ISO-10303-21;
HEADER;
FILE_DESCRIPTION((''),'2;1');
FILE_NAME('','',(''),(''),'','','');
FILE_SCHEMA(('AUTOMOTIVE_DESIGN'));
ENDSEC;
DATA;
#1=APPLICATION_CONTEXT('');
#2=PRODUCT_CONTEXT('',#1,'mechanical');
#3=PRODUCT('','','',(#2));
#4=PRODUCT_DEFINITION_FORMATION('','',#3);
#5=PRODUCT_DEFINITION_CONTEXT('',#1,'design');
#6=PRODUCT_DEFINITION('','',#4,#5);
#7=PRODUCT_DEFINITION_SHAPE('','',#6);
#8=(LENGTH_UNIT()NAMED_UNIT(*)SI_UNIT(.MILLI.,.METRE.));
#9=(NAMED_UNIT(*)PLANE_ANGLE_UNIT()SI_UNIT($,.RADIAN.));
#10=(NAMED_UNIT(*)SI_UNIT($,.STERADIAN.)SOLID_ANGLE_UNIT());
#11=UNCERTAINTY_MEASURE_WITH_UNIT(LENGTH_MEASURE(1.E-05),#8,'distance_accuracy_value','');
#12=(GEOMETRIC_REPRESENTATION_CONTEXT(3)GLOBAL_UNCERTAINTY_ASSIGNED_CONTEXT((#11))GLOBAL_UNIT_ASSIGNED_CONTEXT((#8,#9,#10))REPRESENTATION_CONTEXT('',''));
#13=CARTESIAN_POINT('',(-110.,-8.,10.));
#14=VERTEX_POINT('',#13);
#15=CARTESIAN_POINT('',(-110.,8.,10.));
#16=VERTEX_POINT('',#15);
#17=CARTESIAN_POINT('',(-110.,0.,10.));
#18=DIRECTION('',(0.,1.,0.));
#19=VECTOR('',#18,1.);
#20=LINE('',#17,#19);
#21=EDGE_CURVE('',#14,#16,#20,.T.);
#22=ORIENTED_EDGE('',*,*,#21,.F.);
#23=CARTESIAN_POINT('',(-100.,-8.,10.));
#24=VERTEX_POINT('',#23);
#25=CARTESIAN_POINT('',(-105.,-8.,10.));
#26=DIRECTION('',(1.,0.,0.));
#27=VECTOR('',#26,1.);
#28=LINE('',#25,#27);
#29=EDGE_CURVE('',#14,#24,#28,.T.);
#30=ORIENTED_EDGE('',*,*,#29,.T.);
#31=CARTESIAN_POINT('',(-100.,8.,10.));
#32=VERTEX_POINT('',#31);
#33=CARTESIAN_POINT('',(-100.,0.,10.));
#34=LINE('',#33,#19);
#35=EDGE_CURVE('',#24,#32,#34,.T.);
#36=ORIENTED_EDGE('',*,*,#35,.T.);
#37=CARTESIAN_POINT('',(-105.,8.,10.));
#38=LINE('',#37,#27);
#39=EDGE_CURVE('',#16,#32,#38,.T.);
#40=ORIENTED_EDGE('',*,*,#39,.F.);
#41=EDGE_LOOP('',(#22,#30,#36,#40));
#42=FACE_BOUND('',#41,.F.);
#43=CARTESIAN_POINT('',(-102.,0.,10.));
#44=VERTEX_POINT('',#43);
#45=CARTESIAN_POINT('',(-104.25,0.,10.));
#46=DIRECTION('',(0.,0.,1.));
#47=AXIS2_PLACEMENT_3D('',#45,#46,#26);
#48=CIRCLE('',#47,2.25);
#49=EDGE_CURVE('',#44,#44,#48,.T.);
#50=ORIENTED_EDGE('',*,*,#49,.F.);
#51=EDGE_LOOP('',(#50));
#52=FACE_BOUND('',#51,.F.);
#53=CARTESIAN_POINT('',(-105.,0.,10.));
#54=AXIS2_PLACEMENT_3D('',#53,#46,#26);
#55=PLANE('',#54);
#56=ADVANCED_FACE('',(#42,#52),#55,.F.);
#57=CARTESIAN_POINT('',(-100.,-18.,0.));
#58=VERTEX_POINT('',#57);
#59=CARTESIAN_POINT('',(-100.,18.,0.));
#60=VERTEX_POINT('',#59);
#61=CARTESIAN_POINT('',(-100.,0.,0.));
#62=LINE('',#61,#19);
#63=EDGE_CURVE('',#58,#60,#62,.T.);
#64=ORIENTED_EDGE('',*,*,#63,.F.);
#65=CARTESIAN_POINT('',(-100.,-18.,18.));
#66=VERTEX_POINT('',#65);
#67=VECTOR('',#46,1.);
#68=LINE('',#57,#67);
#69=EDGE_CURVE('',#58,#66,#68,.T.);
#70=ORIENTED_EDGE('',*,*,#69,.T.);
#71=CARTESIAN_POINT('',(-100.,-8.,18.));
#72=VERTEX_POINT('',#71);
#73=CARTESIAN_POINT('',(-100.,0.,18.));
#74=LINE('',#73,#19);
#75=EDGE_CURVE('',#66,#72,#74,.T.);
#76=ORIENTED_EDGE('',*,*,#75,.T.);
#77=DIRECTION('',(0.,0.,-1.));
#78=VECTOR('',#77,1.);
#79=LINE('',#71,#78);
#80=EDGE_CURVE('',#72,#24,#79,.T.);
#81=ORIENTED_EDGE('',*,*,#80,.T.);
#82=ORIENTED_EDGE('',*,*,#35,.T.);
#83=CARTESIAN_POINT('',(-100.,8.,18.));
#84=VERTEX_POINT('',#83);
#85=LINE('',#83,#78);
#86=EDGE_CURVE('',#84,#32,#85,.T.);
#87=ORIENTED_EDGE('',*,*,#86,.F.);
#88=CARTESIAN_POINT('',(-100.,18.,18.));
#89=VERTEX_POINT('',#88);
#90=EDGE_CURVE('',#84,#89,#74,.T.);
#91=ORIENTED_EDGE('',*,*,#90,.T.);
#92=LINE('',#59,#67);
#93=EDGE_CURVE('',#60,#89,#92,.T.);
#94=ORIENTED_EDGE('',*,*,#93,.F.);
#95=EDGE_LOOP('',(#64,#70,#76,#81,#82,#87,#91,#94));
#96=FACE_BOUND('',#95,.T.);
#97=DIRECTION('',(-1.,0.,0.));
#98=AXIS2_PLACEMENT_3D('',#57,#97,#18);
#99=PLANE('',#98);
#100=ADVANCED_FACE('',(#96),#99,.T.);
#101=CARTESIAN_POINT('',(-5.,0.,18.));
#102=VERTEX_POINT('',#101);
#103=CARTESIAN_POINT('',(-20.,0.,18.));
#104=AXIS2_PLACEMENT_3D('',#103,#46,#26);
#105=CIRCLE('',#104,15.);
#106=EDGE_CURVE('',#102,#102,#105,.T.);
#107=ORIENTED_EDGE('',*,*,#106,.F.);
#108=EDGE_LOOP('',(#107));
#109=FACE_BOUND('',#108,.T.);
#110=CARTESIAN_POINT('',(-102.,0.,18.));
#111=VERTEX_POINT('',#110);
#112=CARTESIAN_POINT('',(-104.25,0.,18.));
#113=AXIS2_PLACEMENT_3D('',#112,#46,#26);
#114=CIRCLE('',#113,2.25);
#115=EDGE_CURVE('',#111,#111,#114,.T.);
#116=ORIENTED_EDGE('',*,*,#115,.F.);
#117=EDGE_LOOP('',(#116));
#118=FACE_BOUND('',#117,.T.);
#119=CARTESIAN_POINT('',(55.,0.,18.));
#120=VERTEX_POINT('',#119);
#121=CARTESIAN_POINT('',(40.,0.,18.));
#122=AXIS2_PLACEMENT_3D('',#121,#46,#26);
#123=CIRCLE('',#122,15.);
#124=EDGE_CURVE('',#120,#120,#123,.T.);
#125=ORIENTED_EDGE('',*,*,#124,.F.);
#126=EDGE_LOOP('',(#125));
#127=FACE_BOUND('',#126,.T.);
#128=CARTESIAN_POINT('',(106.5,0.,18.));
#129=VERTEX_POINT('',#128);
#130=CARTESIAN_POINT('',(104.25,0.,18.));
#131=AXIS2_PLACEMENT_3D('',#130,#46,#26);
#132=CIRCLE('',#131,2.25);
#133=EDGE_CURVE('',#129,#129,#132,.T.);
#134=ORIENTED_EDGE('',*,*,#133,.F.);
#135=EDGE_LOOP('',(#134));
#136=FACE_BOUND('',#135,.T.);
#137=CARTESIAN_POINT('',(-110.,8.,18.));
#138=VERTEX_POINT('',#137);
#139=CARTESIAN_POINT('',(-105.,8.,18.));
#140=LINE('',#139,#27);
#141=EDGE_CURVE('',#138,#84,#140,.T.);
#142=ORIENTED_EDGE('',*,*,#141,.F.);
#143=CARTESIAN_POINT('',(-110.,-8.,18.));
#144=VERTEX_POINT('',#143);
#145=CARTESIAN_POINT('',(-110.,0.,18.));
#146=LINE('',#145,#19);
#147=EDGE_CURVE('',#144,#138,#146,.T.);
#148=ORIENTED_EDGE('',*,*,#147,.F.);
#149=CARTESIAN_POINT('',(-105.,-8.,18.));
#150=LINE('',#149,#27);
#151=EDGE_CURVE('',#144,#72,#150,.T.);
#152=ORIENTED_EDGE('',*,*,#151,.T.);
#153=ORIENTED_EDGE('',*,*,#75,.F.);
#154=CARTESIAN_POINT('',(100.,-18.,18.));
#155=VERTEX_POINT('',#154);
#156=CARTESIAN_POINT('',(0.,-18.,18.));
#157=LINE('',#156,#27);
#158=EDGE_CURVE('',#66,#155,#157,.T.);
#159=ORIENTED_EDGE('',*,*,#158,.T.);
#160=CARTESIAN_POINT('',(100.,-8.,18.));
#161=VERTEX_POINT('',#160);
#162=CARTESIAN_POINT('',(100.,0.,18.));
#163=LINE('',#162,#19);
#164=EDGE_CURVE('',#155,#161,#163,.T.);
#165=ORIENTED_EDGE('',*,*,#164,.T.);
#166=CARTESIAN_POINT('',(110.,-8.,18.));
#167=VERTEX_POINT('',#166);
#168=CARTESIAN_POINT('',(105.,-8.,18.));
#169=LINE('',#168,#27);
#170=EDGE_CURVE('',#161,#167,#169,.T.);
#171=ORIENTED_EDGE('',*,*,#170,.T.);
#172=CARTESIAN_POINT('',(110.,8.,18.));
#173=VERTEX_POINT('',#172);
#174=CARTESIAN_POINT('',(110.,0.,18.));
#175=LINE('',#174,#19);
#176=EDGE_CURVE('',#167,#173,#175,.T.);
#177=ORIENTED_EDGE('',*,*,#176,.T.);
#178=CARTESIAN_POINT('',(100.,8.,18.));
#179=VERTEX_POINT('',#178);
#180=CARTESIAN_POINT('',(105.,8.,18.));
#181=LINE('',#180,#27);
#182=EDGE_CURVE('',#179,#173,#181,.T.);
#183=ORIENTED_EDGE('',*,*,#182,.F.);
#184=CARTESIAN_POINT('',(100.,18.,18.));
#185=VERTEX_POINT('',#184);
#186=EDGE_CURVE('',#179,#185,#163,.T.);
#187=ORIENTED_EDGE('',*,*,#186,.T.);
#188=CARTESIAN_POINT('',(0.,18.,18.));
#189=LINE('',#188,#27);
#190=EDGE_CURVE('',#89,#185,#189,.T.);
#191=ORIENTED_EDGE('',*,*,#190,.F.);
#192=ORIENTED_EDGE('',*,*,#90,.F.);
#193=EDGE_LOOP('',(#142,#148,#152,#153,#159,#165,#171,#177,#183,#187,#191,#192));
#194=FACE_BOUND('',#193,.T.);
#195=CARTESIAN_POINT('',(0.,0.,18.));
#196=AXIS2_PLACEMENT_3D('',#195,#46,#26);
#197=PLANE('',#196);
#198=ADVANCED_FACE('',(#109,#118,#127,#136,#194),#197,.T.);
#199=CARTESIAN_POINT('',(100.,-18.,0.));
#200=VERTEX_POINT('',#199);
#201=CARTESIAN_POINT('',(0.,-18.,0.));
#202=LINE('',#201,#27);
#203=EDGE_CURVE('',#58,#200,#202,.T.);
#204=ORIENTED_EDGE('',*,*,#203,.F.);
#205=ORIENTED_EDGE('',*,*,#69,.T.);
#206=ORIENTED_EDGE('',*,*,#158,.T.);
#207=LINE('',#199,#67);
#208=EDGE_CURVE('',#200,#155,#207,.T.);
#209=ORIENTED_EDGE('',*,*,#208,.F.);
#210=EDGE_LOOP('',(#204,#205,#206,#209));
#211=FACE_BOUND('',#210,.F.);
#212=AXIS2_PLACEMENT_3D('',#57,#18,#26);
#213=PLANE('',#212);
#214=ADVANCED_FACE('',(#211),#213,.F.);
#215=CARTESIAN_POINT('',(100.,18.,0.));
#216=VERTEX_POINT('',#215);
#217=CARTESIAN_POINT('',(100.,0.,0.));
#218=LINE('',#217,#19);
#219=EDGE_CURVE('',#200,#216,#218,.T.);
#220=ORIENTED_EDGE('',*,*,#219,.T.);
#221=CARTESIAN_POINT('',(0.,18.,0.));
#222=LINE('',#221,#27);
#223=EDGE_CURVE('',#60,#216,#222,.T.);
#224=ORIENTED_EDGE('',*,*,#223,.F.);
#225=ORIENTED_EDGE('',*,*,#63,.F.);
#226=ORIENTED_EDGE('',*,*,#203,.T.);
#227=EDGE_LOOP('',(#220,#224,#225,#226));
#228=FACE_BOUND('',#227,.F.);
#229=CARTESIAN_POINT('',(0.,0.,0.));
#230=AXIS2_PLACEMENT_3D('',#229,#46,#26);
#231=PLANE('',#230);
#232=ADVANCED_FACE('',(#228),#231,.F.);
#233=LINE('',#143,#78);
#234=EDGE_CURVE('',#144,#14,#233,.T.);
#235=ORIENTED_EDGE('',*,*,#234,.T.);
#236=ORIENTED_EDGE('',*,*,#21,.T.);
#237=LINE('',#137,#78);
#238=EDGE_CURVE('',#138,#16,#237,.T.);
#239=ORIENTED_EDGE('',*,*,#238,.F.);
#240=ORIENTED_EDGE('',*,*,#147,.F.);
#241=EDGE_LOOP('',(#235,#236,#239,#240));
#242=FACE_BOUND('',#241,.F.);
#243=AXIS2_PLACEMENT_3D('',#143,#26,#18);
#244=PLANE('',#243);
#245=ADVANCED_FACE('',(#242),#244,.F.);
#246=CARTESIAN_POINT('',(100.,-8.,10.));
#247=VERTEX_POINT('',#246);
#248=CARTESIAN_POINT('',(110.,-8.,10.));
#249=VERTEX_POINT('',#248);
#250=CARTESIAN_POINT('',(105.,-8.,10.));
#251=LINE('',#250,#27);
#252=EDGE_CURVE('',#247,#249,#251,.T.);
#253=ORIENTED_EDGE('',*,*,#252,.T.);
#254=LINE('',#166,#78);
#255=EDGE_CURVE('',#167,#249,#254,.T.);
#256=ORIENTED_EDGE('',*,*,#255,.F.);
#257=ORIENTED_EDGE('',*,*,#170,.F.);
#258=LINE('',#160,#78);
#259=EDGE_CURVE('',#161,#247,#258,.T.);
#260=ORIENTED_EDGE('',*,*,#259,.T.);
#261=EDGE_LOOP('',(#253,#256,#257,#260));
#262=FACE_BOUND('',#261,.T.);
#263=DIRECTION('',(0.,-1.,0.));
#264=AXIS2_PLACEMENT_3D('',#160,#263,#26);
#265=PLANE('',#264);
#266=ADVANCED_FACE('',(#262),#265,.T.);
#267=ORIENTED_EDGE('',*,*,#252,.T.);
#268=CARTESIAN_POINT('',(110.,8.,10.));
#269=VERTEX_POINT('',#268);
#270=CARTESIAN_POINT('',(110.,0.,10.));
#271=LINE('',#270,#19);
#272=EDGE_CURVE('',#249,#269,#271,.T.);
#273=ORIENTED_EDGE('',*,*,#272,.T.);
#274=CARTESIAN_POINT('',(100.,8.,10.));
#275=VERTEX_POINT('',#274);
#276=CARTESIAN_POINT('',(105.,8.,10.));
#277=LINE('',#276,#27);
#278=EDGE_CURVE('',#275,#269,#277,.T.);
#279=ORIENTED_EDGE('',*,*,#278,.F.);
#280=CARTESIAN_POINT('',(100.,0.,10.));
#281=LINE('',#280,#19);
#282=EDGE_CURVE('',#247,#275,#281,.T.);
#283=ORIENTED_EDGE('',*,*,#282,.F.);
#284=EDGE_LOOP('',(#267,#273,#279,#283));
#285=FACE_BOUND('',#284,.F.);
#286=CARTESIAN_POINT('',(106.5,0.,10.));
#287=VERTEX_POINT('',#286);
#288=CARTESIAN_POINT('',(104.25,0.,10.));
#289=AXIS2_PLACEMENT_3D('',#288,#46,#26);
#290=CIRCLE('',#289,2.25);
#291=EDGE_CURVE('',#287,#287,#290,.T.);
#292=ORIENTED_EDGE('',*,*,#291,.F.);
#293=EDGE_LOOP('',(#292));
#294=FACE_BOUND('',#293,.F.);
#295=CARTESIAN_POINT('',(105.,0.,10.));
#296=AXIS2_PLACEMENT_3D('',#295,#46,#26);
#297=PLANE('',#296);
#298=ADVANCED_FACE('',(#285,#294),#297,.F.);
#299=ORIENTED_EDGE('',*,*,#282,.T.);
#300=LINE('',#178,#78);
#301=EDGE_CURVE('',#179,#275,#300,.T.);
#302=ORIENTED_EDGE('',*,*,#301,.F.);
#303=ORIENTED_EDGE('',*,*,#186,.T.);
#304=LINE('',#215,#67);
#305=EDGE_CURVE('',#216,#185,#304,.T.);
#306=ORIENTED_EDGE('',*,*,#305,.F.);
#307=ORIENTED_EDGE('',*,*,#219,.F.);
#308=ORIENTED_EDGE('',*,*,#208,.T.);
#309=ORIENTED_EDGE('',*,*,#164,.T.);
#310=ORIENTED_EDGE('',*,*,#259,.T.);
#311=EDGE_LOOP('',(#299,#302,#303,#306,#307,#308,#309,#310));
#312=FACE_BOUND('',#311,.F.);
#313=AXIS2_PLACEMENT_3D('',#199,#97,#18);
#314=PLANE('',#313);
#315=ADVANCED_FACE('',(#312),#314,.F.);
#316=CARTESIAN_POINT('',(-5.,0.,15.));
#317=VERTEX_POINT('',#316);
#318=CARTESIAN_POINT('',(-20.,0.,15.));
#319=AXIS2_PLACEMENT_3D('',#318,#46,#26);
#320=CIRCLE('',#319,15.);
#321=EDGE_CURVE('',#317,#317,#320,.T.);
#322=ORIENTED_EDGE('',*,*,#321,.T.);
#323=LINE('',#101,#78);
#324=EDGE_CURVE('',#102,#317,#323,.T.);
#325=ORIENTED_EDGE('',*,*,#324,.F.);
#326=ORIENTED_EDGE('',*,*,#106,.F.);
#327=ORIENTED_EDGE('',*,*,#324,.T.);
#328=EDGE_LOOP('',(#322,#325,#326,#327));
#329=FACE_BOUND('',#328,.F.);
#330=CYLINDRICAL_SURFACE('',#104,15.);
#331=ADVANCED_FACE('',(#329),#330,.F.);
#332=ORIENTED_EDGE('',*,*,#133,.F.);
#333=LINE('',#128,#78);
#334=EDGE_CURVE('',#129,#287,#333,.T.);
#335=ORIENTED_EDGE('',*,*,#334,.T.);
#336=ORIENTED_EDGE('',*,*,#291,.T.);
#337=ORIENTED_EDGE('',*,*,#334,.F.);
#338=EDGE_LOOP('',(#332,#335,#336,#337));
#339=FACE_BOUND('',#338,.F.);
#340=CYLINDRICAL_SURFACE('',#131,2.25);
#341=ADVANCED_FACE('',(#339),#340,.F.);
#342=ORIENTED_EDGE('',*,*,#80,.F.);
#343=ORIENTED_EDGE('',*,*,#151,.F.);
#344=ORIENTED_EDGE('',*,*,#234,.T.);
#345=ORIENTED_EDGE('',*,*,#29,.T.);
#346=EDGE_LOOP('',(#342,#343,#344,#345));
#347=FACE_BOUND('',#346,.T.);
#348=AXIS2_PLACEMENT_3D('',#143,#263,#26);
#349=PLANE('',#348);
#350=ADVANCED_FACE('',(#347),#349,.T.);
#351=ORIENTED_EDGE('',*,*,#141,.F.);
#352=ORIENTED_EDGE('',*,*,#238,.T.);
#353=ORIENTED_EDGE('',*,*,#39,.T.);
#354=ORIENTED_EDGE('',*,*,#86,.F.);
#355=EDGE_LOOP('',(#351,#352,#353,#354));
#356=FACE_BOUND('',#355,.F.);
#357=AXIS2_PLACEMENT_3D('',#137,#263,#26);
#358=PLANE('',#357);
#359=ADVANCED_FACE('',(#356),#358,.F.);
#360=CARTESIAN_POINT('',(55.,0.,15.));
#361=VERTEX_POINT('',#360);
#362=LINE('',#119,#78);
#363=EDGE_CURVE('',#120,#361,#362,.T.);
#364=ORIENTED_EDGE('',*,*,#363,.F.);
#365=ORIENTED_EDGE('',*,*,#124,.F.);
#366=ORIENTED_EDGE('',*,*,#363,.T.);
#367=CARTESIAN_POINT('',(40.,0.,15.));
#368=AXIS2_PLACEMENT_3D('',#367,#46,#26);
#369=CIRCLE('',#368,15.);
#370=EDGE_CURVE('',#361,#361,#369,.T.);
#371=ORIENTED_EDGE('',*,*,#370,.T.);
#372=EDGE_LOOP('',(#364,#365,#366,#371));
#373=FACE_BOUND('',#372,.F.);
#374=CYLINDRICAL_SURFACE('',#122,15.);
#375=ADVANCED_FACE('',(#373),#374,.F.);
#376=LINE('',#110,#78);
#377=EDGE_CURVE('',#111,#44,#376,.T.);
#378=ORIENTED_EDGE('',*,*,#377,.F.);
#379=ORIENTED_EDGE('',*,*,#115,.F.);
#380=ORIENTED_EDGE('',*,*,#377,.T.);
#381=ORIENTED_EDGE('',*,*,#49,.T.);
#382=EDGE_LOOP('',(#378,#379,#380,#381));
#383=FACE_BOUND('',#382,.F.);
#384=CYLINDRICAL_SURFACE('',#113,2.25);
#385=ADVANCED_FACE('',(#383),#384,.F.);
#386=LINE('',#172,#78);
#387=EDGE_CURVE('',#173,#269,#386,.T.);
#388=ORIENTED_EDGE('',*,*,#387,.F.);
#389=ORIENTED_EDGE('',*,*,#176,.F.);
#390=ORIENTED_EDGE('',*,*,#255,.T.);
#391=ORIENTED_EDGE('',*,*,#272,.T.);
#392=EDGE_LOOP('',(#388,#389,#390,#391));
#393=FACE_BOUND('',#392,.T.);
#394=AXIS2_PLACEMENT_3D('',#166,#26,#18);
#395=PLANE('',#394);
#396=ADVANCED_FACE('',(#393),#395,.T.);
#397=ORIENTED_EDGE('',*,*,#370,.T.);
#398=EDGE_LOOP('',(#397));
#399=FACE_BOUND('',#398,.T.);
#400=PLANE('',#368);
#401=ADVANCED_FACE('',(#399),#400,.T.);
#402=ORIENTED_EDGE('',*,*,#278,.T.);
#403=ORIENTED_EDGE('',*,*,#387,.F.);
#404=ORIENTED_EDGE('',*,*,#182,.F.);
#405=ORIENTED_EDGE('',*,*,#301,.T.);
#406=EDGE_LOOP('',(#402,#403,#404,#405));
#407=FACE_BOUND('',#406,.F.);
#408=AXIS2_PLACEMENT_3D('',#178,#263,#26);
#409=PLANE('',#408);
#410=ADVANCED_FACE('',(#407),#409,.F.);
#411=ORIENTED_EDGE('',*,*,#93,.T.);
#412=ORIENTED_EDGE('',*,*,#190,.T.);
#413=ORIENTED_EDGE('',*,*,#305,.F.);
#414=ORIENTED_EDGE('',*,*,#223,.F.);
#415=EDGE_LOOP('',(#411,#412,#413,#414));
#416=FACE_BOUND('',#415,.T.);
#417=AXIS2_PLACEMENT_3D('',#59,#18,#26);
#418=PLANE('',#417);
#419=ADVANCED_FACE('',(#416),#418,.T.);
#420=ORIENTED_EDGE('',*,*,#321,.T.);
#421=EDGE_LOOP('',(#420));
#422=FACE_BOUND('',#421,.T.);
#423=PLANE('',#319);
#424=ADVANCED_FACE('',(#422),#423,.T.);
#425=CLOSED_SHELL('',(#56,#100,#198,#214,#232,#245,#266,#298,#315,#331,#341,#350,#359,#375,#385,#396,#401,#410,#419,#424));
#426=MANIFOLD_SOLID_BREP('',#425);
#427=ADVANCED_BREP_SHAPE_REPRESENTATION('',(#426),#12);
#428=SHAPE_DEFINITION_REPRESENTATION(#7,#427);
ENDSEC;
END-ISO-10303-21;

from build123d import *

# Parameters (mm, degrees)
F0_W     = 200
F0_H     = 36
F1_DEPTH = 18
F2_R     = 15
F3_DEPTH = 3
F4_W     = 10
F4_H     = 16
F4_R     = 2.25
F5_DEPTH = 8


with BuildPart() as f1:
    # F0 (on Top) → F1 (new body)
    with BuildSketch(Plane.XY):
        Rectangle(F0_W, F0_H)
    extrude(amount=F1_DEPTH)

    # F2 (on face) → F3 (cut)
    with BuildSketch(Plane.XY.offset(18)):
        with Locations((-20, 0)):
            Circle(F2_R)
        with Locations((40, 0)):
            Circle(F2_R)
    extrude(amount=-F3_DEPTH, mode=Mode.SUBTRACT)

    # F4 (on face) → F5 (join)
    with BuildSketch(Plane.XY.offset(18)):
        with Locations((-105, 0)):
            Rectangle(F4_W, F4_H)
        with Locations((-104.25, 0)):
            Circle(F4_R, mode=Mode.SUBTRACT)
        with Locations((105, 0)):
            Rectangle(F4_W, F4_H)
        with Locations((104.25, 0)):
            Circle(F4_R, mode=Mode.SUBTRACT)
    extrude(amount=-F5_DEPTH)


solid = f1.part
